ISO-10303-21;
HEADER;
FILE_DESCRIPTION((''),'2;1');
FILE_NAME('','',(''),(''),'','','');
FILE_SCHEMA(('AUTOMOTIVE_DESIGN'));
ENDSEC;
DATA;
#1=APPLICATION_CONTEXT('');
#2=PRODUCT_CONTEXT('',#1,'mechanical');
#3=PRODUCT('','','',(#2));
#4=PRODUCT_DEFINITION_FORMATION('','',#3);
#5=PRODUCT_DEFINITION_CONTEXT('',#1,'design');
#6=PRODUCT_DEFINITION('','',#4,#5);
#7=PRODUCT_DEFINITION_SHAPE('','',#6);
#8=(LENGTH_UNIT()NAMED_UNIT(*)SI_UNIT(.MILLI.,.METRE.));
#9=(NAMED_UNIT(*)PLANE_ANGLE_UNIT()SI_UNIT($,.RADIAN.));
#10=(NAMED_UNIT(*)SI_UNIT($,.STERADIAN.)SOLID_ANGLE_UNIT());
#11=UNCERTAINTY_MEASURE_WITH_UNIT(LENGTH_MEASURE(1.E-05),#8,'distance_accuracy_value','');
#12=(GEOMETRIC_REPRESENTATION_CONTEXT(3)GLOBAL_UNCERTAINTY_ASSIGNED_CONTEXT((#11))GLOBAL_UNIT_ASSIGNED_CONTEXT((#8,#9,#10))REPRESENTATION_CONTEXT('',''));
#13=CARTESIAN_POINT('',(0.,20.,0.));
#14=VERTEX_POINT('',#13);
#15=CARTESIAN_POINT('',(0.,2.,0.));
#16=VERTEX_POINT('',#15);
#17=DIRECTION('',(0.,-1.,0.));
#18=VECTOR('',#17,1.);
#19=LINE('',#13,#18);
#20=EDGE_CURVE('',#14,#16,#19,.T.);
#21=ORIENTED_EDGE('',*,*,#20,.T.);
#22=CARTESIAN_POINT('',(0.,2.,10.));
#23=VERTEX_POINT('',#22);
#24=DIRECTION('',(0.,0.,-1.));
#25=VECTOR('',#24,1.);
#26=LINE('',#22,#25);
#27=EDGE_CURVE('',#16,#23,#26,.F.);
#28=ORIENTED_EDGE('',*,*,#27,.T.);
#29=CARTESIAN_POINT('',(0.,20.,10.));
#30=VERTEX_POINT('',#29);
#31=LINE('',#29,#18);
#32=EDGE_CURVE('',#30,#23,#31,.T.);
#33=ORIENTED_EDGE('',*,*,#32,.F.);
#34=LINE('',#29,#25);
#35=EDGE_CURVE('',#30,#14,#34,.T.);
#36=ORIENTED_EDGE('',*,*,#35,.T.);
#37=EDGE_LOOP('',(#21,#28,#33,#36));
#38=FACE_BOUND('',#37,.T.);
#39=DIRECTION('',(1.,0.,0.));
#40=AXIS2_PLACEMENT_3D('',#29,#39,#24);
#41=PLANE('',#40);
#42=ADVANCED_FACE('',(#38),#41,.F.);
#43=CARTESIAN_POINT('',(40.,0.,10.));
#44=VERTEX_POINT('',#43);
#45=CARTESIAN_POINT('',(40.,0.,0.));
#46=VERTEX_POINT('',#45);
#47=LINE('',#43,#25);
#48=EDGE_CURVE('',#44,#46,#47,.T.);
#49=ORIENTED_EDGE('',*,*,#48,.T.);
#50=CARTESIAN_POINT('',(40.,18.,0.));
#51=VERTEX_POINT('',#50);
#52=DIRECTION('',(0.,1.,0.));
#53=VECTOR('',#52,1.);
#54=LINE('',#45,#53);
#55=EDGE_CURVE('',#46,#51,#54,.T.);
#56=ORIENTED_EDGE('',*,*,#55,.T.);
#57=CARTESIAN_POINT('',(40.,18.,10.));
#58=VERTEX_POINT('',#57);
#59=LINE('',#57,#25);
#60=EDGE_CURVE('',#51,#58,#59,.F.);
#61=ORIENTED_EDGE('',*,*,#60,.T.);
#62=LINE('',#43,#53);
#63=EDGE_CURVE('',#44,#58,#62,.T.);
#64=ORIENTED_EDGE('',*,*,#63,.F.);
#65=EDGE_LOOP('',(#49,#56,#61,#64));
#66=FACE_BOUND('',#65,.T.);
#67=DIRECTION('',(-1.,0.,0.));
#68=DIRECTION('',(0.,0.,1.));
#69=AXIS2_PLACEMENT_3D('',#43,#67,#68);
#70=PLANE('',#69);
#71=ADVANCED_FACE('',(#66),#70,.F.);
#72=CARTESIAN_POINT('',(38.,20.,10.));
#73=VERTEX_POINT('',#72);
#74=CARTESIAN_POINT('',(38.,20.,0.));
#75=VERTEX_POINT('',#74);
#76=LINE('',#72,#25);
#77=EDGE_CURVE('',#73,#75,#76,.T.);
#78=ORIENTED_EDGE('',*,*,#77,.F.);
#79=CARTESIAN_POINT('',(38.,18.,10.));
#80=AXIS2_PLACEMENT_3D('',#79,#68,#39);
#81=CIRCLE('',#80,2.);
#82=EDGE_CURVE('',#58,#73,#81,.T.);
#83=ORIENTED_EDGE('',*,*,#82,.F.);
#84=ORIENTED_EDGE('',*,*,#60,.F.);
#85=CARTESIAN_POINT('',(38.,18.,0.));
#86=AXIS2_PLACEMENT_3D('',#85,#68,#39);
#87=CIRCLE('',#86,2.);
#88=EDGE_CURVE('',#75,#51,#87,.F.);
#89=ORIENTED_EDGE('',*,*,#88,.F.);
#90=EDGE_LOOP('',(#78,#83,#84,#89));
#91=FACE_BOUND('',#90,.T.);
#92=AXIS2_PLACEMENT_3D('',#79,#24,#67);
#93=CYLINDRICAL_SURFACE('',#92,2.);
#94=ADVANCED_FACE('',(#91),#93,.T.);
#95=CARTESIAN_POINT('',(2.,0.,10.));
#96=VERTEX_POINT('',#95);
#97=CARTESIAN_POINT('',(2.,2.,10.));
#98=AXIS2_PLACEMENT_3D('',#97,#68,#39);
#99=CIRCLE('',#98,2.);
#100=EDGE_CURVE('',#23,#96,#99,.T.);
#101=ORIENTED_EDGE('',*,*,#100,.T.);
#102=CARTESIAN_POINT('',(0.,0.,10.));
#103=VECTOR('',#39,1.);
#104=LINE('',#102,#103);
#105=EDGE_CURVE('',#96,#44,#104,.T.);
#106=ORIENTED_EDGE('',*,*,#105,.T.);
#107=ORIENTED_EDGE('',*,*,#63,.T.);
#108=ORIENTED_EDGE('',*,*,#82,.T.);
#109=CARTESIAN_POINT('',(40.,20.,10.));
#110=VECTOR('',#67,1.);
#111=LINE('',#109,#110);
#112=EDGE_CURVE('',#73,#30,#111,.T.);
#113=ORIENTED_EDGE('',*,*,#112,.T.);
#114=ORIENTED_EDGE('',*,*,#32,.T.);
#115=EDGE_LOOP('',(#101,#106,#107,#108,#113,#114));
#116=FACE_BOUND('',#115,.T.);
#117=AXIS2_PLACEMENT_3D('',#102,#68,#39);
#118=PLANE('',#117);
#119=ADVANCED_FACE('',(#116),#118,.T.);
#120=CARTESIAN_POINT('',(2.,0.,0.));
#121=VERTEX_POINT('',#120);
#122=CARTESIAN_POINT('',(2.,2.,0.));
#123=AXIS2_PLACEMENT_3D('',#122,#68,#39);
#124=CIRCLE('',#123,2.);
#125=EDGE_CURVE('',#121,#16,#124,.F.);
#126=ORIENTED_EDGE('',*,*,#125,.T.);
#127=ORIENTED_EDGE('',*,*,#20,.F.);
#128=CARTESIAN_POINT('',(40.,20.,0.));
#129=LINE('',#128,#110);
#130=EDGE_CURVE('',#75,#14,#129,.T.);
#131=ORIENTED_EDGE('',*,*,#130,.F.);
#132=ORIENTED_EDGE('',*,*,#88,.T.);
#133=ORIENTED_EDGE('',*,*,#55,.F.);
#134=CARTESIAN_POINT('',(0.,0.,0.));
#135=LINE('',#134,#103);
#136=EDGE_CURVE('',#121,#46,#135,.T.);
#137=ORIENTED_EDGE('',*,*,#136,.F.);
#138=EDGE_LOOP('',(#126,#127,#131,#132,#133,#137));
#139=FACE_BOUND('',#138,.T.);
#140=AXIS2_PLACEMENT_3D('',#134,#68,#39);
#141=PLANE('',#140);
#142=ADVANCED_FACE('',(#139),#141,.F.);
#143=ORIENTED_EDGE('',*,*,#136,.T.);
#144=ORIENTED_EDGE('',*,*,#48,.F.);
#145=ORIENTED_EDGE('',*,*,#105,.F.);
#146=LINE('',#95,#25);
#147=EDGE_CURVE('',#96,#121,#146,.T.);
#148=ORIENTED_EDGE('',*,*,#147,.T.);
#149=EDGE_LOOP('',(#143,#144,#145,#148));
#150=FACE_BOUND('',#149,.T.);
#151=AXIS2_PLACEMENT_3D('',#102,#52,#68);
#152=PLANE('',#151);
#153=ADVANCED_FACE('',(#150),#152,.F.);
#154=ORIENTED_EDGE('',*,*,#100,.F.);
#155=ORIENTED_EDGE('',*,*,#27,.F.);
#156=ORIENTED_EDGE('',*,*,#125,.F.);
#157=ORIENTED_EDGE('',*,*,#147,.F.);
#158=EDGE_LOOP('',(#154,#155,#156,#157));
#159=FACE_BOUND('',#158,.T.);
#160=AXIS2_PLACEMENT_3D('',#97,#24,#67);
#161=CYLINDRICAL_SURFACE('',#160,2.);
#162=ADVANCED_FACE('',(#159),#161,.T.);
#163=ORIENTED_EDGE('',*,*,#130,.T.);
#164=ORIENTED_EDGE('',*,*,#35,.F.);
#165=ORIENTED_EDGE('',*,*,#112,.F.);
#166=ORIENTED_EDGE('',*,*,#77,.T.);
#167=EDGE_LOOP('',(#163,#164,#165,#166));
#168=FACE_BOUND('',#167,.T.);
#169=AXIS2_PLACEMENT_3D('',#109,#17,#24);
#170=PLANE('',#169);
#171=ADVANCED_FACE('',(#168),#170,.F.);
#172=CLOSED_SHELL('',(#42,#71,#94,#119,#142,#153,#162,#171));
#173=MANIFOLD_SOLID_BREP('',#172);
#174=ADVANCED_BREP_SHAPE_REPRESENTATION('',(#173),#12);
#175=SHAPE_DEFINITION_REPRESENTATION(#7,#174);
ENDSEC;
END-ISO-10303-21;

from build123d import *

# Parameters (mm, degrees)
SKETCH1_W           = 40
SKETCH1_H           = 20
BOSS_EXTRUDE1_DEPTH = 10
FILLET1_R           = 2


with BuildPart() as part:
    # Sketch1 → Boss-Extrude1 (new body)
    with BuildSketch(Plane.XY):
        with Locations((20, 10)):
            Rectangle(SKETCH1_W, SKETCH1_H)
    extrude(amount=BOSS_EXTRUDE1_DEPTH)

    # Fillet1
    fillet1_edges = [part.edges().sort_by_distance(p)[0] for p in [
        (40, 20, 5),
        (0, 0, 5),
    ]]
    fillet(fillet1_edges, radius=FILLET1_R)


solid = part.part
